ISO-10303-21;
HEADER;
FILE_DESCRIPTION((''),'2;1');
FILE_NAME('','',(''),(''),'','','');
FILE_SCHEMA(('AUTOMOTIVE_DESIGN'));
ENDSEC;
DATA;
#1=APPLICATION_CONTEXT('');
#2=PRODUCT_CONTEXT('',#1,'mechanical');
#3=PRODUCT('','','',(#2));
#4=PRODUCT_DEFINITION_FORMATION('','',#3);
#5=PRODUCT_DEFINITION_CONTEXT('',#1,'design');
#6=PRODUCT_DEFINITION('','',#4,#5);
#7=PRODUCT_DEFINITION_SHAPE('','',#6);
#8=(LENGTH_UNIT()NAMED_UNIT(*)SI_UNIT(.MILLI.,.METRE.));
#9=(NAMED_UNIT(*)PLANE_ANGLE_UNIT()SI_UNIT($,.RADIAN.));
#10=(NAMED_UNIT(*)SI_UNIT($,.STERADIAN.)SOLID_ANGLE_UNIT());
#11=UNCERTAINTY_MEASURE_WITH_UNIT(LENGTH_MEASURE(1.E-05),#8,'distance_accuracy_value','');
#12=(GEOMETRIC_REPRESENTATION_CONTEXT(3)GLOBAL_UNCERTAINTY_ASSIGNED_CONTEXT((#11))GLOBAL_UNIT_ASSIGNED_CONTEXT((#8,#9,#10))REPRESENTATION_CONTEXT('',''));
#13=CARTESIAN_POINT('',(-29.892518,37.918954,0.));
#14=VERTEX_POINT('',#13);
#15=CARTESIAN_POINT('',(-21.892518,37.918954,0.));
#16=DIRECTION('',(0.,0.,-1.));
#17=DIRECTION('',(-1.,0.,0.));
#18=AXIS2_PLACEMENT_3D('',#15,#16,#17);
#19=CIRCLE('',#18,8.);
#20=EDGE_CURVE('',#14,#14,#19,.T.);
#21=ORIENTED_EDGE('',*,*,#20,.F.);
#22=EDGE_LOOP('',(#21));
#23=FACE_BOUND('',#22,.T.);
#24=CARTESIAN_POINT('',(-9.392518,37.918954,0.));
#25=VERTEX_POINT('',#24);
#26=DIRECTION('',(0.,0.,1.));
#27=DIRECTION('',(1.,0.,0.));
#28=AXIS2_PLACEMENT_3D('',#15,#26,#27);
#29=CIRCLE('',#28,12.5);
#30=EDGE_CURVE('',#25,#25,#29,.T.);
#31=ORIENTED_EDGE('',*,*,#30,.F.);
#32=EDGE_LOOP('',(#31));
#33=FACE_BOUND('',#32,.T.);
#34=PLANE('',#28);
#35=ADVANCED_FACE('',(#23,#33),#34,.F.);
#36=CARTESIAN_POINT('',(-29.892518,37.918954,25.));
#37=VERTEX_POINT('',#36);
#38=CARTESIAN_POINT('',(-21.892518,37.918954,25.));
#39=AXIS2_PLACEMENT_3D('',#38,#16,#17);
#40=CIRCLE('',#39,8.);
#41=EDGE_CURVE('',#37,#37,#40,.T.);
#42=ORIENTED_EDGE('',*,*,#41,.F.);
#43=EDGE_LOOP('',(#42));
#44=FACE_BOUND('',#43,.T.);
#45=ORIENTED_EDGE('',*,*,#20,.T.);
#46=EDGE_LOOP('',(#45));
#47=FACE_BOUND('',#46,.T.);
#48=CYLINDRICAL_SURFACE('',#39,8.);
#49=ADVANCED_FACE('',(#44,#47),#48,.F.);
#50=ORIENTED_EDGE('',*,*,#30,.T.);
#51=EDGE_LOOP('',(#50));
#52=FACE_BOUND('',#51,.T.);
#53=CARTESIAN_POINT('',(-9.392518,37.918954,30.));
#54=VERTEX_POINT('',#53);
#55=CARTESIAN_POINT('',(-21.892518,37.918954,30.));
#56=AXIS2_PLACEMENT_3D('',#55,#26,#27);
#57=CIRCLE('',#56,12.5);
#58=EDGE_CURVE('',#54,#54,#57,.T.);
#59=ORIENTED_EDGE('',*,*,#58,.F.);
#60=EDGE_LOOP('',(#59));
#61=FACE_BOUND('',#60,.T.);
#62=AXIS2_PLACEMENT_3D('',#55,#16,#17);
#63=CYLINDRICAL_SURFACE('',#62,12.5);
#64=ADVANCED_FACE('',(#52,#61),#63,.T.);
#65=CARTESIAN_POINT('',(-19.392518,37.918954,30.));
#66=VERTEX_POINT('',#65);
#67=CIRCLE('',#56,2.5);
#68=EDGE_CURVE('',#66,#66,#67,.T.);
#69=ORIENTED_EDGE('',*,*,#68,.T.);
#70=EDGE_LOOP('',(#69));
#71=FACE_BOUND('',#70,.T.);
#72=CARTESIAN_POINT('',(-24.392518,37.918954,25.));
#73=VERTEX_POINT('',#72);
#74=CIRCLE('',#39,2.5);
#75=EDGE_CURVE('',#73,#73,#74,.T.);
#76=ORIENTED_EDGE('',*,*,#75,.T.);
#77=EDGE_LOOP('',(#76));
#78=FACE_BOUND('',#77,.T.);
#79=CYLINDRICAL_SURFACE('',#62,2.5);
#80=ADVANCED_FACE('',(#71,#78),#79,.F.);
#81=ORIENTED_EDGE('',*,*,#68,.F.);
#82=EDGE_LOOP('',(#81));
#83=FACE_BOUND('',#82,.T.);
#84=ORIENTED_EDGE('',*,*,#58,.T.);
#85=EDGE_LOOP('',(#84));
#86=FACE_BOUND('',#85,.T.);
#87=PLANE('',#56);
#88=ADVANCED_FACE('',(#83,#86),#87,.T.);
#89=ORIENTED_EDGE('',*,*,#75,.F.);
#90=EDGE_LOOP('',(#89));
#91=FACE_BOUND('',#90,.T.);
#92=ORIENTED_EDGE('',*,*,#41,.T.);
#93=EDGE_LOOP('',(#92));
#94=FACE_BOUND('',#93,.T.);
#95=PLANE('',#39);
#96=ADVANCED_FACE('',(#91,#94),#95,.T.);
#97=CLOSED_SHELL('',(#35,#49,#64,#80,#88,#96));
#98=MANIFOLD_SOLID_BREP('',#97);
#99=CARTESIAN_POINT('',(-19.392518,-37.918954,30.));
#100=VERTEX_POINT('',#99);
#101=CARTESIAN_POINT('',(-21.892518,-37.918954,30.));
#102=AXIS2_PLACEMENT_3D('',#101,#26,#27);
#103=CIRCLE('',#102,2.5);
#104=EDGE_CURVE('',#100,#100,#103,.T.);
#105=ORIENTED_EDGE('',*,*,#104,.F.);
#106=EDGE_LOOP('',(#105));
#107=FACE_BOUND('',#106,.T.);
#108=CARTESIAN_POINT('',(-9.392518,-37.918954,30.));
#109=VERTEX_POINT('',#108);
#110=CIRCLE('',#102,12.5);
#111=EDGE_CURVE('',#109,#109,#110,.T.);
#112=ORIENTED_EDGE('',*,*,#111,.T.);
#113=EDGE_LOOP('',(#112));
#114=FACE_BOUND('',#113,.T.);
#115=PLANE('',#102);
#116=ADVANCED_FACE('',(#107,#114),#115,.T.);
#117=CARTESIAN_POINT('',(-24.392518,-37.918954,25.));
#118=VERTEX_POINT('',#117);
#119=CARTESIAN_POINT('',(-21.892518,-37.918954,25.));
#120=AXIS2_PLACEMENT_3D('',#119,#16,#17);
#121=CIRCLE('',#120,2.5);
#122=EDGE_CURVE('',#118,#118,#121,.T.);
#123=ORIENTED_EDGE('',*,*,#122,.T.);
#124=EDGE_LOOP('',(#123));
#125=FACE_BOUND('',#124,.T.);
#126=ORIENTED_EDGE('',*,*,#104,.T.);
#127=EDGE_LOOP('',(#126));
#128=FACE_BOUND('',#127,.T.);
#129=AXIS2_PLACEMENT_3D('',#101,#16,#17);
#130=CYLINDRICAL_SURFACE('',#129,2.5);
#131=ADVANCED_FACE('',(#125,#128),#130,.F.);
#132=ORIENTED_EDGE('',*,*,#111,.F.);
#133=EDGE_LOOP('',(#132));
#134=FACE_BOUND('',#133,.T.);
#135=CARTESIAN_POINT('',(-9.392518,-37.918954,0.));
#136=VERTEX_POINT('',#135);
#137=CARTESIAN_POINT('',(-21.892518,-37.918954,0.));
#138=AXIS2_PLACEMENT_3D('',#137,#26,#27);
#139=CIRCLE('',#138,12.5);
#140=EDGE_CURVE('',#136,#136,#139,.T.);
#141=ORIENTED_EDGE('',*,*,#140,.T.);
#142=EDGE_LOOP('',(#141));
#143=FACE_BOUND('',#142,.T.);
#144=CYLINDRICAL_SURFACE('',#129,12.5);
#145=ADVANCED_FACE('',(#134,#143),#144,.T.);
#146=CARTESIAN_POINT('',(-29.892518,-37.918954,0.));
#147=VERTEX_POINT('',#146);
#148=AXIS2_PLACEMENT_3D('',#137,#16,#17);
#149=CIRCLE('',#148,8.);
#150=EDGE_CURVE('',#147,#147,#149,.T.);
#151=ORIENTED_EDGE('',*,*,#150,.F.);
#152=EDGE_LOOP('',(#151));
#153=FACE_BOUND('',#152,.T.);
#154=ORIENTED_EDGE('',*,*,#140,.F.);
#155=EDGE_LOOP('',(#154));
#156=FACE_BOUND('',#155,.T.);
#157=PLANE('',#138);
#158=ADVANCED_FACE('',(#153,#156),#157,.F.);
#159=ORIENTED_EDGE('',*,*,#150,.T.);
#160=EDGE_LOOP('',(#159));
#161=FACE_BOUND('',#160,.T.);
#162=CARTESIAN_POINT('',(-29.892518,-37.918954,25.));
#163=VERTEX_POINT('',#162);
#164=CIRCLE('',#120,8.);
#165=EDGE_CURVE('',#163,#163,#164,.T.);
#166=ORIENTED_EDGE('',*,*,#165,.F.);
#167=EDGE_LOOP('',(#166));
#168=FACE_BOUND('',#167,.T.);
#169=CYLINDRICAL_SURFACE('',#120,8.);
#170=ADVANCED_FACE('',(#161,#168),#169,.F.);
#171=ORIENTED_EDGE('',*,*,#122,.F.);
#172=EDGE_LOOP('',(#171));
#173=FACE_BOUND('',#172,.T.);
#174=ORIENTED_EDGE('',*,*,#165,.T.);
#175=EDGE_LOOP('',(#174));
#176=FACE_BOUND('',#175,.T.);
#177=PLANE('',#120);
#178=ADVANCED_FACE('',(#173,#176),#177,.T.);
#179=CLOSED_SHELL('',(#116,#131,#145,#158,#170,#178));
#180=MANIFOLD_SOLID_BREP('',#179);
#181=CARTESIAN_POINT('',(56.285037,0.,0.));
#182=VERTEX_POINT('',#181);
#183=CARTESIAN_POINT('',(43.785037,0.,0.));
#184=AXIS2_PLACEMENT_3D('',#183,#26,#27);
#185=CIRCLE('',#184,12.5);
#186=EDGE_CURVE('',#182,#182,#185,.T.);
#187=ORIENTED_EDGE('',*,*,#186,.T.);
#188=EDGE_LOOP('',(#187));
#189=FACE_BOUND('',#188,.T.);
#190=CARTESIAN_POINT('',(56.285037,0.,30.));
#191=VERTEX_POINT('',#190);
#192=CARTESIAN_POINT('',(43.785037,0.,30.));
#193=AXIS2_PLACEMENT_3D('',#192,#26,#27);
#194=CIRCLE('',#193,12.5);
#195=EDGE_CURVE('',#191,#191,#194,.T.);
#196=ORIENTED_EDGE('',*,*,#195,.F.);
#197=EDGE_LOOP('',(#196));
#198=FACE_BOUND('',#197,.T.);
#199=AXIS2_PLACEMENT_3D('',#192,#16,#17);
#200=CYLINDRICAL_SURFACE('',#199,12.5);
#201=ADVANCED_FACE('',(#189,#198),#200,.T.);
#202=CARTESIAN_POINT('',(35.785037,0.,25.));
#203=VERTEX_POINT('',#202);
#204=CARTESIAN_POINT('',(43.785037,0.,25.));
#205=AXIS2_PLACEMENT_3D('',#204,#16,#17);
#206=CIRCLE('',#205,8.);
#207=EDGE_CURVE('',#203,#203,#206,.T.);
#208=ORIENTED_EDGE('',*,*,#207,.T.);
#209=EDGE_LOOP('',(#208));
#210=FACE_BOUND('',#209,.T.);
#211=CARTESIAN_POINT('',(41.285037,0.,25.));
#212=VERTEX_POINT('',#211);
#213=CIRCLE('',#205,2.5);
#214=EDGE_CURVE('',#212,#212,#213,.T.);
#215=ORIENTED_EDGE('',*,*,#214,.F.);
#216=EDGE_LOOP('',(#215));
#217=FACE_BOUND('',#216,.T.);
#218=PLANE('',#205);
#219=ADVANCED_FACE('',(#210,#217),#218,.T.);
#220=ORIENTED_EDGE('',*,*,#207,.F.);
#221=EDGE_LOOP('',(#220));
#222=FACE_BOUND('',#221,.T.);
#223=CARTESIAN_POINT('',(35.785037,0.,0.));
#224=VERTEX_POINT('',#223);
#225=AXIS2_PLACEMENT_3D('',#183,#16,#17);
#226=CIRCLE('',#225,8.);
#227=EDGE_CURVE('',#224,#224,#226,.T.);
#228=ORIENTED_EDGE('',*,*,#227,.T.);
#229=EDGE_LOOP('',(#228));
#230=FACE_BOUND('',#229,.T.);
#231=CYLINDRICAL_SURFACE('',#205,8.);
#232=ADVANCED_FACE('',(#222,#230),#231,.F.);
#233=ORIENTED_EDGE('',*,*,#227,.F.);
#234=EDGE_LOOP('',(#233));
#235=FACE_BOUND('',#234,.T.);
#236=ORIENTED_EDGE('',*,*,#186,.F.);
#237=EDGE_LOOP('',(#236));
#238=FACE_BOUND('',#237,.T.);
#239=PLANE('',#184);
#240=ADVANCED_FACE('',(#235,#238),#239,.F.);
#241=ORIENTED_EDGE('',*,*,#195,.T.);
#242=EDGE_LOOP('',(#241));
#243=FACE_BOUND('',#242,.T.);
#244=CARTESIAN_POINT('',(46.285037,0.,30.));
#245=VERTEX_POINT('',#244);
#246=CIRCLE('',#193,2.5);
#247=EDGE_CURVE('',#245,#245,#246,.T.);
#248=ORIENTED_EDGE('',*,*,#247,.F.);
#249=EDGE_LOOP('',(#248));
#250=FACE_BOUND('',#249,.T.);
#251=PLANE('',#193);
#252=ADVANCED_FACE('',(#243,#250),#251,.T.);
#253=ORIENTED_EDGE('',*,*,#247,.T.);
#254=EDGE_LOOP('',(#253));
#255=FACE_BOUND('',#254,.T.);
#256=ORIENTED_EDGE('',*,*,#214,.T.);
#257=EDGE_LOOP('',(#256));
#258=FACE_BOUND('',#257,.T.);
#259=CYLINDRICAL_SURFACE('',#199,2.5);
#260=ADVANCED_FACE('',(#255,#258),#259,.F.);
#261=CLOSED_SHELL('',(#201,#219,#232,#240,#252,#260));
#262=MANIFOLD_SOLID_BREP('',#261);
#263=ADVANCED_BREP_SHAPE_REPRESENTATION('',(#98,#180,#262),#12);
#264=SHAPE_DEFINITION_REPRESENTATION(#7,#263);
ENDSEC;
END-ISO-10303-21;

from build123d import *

# Parameters (mm, degrees)
ESQUISSE1_R             = 12.5
ESQUISSE1_R_2           = 2.5
BOSS_EXTRU_1_DEPTH      = 30
BOSS_EXTRU_1_2_DEPTH    = 30
BOSS_EXTRU_1_3_DEPTH    = 30
ESQUISSE3_R             = 8
ENL_V_MAT_EXTRU_1_DEPTH = 25


with BuildPart() as part:
    # Esquisse1 → Boss.-Extru.1 (new body)
    with BuildSketch(Plane.XY):
        with Locations((43.785036873, 0)):
            Circle(ESQUISSE1_R)
        with Locations((43.785036873, 0)):
            Circle(ESQUISSE1_R_2, mode=Mode.SUBTRACT)
    extrude(amount=BOSS_EXTRU_1_DEPTH)


with BuildPart() as body_2:
    # Esquisse1 → Boss.-Extru.1 2 (new body)
    with BuildSketch(Plane.XY):
        with Locations((-21.892518437, -37.918954238)):
            Circle(ESQUISSE1_R)
        with Locations((-21.892518437, -37.918954238)):
            Circle(ESQUISSE1_R_2, mode=Mode.SUBTRACT)
    extrude(amount=BOSS_EXTRU_1_2_DEPTH)


with BuildPart() as body_3:
    # Esquisse1 → Boss.-Extru.1 3 (new body)
    with BuildSketch(Plane.XY):
        with Locations((-21.892518437, 37.918954238)):
            Circle(ESQUISSE1_R)
        with Locations((-21.892518437, 37.918954238)):
            Circle(ESQUISSE1_R_2, mode=Mode.SUBTRACT)
    extrude(amount=BOSS_EXTRU_1_3_DEPTH)


with BuildPart() as enl_v_mat_extru_1_tool:
    # Esquisse3 → Enlèv. mat.-Extru.1 (new body)
    with BuildSketch(Plane(origin=(0, 0, 0), x_dir=(-1, 0, 0), z_dir=(0, 0, -1))):
        with Locations((21.892518437, -37.918954238)):
            Circle(ESQUISSE3_R)
        with Locations((-43.785036873, 0)):
            Circle(ESQUISSE3_R)
        with Locations((21.892518437, 37.918954238)):
            Circle(ESQUISSE3_R)
    extrude(amount=-ENL_V_MAT_EXTRU_1_DEPTH)


with BuildPart() as part_1:
    add(part.part)

    # Enlèv. mat.-Extru.1: cut by enl_v_mat_extru_1_tool
    add(enl_v_mat_extru_1_tool.part, mode=Mode.SUBTRACT)


with BuildPart() as body_2_1:
    add(body_2.part)

    # Enlèv. mat.-Extru.1: cut by enl_v_mat_extru_1_tool
    add(enl_v_mat_extru_1_tool.part, mode=Mode.SUBTRACT)


with BuildPart() as body_3_1:
    add(body_3.part)

    # Enlèv. mat.-Extru.1: cut by enl_v_mat_extru_1_tool
    add(enl_v_mat_extru_1_tool.part, mode=Mode.SUBTRACT)


solid = Compound([part_1.part, body_2_1.part, body_3_1.part])
